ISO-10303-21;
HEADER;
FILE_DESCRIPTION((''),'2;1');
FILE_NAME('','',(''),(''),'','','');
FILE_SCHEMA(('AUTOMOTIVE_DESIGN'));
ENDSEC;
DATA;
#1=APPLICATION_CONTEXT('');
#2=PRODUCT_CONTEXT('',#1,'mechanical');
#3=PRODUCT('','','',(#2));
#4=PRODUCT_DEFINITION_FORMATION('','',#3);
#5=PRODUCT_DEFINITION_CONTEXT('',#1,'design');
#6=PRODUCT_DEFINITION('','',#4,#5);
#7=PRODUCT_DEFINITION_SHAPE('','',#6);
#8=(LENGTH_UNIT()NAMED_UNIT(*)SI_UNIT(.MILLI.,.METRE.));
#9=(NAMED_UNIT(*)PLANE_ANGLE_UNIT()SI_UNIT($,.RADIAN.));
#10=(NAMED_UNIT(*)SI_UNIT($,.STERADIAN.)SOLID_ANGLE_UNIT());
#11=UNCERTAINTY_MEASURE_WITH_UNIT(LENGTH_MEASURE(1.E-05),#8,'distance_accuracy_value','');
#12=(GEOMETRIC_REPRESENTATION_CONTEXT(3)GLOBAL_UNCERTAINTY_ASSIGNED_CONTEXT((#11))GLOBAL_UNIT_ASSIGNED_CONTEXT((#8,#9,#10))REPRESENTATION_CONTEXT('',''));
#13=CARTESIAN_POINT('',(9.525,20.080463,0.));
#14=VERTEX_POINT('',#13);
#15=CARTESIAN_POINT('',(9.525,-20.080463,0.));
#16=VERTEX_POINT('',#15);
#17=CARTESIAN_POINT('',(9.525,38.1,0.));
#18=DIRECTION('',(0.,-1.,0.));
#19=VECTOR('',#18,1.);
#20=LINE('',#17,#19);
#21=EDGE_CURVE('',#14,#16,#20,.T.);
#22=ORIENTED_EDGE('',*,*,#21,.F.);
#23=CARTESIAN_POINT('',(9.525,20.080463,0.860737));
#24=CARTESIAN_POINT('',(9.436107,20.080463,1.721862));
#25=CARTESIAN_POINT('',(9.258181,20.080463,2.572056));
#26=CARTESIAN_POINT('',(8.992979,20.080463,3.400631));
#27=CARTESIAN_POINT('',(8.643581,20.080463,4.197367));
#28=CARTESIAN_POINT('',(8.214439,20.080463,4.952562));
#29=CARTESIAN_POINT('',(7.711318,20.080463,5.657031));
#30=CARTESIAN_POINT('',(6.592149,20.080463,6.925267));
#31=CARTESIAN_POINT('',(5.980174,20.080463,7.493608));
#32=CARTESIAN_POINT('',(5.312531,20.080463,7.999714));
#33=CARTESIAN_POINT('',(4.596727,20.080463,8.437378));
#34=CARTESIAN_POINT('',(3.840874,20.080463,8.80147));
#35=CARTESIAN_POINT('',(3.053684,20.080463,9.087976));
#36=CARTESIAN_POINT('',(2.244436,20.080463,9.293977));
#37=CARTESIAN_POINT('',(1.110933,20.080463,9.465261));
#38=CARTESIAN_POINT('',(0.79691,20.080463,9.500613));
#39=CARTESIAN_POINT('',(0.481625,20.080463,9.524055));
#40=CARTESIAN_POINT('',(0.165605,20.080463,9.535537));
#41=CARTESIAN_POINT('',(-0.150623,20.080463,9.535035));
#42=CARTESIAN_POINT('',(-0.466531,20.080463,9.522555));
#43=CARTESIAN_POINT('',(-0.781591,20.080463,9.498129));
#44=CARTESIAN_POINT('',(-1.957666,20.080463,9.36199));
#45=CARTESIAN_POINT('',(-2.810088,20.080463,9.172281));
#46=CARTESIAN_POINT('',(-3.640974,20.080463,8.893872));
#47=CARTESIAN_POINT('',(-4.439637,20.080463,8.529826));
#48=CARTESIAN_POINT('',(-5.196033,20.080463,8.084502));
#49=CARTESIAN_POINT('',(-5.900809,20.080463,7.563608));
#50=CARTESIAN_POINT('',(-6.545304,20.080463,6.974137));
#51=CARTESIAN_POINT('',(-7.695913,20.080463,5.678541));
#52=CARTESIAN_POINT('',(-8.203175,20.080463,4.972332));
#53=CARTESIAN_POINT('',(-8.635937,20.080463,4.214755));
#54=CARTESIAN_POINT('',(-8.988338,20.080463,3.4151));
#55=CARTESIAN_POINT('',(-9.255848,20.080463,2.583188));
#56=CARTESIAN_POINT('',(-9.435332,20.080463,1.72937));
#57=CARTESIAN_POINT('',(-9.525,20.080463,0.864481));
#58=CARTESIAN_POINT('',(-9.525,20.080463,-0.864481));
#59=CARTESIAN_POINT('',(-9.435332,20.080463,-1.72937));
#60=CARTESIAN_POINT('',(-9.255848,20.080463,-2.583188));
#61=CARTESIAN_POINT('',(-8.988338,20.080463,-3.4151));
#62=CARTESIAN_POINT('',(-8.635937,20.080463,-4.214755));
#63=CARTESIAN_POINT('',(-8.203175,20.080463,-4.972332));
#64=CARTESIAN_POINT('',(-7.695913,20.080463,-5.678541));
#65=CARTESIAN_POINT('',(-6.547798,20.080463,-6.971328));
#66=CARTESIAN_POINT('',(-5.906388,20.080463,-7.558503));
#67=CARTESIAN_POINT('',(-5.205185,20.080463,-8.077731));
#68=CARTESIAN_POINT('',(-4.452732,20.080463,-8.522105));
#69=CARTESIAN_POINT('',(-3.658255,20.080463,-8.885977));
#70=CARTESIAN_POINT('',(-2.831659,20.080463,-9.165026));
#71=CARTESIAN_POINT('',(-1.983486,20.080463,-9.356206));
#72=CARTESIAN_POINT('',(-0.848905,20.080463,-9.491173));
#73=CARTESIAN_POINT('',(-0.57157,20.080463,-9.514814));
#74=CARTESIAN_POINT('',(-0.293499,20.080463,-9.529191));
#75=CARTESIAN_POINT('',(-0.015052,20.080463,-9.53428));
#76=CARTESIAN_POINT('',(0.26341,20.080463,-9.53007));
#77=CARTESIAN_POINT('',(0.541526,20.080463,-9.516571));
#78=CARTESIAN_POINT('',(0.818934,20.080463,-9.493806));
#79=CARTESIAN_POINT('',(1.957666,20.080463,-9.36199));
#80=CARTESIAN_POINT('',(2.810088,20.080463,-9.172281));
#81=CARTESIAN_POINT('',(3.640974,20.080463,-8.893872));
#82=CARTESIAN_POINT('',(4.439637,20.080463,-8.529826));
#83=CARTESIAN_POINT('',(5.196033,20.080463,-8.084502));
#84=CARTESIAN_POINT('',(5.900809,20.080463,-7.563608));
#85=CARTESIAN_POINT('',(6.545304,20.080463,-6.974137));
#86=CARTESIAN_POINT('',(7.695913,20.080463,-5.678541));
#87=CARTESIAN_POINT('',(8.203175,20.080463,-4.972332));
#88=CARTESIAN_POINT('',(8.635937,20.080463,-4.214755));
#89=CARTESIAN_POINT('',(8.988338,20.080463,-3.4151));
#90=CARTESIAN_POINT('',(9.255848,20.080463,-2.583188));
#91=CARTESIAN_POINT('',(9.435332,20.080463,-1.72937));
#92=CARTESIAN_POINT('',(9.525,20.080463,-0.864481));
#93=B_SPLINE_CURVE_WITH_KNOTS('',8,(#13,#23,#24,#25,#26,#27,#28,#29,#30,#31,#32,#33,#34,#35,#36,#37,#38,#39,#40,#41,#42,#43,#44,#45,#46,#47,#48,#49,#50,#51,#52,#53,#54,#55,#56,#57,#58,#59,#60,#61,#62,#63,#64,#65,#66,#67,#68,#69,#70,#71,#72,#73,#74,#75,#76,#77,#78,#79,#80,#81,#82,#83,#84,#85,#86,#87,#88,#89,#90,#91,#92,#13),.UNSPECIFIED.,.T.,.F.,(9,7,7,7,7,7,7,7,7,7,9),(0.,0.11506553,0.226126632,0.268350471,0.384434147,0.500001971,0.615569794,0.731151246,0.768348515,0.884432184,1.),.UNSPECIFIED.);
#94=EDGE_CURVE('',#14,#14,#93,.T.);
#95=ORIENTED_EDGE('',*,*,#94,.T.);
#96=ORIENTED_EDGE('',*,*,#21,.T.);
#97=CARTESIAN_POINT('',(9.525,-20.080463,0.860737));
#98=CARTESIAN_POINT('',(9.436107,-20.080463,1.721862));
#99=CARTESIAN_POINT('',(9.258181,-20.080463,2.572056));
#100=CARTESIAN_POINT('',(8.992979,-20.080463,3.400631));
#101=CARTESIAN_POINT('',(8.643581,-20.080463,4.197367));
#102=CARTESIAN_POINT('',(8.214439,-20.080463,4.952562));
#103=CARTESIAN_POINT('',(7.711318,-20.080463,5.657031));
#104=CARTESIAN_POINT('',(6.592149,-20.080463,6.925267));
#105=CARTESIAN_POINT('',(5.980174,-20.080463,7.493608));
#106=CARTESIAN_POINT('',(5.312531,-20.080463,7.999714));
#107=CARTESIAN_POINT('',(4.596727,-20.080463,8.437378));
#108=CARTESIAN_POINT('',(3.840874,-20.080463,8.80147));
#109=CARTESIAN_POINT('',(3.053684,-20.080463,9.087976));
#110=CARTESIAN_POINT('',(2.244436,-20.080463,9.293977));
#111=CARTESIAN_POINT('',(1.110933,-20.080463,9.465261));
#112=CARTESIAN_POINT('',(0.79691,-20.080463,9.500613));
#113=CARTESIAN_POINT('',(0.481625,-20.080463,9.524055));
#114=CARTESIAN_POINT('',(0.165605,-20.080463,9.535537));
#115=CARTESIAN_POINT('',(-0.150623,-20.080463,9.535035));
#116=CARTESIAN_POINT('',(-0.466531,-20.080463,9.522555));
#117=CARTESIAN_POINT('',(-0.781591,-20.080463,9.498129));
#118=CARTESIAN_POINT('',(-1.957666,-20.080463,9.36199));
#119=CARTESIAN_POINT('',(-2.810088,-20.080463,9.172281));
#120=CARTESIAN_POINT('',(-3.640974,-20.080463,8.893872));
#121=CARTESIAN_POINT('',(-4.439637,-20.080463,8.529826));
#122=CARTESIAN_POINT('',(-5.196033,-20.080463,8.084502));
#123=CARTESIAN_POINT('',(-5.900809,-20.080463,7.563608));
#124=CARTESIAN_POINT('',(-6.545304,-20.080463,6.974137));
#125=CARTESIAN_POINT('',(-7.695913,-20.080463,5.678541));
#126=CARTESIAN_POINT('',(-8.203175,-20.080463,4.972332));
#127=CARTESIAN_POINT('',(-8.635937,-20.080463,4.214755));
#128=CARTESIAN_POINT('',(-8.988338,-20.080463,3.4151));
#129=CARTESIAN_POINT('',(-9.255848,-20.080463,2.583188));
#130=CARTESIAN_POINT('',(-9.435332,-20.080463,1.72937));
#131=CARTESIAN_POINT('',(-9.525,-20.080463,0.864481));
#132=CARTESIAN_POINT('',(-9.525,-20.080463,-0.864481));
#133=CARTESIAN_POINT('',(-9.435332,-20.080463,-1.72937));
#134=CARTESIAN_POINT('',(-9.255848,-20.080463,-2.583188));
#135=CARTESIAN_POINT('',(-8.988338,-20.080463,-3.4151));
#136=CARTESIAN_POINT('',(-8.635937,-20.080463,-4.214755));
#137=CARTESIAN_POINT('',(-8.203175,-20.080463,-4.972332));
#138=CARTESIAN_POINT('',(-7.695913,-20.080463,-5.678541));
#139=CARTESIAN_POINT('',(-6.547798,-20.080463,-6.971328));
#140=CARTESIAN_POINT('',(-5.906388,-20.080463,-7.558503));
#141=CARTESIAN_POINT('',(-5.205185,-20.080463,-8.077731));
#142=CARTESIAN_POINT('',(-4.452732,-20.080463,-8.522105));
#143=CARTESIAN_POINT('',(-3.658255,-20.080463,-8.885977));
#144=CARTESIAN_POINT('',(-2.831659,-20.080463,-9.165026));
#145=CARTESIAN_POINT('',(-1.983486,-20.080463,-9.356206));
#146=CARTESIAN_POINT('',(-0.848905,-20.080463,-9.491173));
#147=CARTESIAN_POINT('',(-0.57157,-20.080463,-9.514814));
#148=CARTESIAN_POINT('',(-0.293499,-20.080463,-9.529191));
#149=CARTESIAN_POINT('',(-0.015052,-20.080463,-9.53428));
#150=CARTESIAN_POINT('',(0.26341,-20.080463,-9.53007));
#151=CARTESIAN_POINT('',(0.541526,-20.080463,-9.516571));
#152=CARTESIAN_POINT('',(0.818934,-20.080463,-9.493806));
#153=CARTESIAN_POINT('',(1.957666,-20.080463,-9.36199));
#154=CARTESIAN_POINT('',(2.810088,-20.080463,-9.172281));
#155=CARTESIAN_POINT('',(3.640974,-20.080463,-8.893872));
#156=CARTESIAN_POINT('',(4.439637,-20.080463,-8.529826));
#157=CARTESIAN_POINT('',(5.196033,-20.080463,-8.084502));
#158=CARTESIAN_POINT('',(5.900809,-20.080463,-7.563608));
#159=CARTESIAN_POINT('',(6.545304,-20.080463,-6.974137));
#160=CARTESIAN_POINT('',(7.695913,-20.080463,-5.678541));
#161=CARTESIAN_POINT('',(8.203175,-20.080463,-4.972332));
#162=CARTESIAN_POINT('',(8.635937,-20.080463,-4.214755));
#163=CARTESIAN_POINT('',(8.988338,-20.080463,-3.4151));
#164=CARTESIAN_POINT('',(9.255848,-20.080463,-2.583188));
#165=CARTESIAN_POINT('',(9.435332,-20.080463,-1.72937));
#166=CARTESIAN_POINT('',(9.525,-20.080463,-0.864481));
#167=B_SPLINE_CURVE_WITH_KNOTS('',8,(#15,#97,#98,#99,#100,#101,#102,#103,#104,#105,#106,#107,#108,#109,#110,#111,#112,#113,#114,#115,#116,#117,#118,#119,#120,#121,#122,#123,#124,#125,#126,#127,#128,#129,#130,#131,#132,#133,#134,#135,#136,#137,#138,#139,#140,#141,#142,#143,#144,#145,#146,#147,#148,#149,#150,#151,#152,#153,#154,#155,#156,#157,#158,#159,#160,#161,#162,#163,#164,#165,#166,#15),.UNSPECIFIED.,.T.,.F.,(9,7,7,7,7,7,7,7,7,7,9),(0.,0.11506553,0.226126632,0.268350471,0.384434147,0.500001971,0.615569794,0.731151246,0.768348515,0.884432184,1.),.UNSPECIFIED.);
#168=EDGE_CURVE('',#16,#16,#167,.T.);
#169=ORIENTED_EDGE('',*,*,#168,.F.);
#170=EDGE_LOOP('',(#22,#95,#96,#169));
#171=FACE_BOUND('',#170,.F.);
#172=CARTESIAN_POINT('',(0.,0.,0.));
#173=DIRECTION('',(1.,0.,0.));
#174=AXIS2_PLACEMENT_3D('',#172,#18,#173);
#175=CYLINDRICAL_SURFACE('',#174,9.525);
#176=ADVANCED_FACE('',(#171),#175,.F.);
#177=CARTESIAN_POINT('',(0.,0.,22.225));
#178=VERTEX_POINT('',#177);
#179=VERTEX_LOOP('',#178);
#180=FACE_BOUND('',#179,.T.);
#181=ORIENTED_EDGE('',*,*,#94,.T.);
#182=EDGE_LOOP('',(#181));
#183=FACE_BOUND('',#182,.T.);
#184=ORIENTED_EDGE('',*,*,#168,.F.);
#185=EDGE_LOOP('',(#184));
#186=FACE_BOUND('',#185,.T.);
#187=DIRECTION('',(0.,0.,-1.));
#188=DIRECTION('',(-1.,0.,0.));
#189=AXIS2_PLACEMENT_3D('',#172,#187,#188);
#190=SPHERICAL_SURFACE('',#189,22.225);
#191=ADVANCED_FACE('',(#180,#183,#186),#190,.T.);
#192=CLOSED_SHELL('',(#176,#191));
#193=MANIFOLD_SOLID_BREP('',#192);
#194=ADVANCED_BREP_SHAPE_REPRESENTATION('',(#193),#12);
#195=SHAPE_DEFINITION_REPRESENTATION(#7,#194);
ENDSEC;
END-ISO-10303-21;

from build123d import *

# Parameters (mm, degrees)
F2_R     = 9.525
F3_DEPTH = 38.1


with BuildPart() as f1:
    # F0 (on Front) → F1 (revolve)
    with BuildSketch(Plane.XZ):
        with BuildLine():
            Line((0, -22.225), (0, 22.225))
            ThreePointArc((0, 22.225), (-22.225, 0), (0, -22.225))
        make_face()
    revolve(axis=Axis((0, 0, 0), (0, 0, -1)))

    # F2 (on Front) → F3 (cut, symmetric)
    with BuildSketch(Plane.XZ):
        Circle(F2_R)
    extrude(amount=F3_DEPTH, both=True, mode=Mode.SUBTRACT)


solid = f1.part
